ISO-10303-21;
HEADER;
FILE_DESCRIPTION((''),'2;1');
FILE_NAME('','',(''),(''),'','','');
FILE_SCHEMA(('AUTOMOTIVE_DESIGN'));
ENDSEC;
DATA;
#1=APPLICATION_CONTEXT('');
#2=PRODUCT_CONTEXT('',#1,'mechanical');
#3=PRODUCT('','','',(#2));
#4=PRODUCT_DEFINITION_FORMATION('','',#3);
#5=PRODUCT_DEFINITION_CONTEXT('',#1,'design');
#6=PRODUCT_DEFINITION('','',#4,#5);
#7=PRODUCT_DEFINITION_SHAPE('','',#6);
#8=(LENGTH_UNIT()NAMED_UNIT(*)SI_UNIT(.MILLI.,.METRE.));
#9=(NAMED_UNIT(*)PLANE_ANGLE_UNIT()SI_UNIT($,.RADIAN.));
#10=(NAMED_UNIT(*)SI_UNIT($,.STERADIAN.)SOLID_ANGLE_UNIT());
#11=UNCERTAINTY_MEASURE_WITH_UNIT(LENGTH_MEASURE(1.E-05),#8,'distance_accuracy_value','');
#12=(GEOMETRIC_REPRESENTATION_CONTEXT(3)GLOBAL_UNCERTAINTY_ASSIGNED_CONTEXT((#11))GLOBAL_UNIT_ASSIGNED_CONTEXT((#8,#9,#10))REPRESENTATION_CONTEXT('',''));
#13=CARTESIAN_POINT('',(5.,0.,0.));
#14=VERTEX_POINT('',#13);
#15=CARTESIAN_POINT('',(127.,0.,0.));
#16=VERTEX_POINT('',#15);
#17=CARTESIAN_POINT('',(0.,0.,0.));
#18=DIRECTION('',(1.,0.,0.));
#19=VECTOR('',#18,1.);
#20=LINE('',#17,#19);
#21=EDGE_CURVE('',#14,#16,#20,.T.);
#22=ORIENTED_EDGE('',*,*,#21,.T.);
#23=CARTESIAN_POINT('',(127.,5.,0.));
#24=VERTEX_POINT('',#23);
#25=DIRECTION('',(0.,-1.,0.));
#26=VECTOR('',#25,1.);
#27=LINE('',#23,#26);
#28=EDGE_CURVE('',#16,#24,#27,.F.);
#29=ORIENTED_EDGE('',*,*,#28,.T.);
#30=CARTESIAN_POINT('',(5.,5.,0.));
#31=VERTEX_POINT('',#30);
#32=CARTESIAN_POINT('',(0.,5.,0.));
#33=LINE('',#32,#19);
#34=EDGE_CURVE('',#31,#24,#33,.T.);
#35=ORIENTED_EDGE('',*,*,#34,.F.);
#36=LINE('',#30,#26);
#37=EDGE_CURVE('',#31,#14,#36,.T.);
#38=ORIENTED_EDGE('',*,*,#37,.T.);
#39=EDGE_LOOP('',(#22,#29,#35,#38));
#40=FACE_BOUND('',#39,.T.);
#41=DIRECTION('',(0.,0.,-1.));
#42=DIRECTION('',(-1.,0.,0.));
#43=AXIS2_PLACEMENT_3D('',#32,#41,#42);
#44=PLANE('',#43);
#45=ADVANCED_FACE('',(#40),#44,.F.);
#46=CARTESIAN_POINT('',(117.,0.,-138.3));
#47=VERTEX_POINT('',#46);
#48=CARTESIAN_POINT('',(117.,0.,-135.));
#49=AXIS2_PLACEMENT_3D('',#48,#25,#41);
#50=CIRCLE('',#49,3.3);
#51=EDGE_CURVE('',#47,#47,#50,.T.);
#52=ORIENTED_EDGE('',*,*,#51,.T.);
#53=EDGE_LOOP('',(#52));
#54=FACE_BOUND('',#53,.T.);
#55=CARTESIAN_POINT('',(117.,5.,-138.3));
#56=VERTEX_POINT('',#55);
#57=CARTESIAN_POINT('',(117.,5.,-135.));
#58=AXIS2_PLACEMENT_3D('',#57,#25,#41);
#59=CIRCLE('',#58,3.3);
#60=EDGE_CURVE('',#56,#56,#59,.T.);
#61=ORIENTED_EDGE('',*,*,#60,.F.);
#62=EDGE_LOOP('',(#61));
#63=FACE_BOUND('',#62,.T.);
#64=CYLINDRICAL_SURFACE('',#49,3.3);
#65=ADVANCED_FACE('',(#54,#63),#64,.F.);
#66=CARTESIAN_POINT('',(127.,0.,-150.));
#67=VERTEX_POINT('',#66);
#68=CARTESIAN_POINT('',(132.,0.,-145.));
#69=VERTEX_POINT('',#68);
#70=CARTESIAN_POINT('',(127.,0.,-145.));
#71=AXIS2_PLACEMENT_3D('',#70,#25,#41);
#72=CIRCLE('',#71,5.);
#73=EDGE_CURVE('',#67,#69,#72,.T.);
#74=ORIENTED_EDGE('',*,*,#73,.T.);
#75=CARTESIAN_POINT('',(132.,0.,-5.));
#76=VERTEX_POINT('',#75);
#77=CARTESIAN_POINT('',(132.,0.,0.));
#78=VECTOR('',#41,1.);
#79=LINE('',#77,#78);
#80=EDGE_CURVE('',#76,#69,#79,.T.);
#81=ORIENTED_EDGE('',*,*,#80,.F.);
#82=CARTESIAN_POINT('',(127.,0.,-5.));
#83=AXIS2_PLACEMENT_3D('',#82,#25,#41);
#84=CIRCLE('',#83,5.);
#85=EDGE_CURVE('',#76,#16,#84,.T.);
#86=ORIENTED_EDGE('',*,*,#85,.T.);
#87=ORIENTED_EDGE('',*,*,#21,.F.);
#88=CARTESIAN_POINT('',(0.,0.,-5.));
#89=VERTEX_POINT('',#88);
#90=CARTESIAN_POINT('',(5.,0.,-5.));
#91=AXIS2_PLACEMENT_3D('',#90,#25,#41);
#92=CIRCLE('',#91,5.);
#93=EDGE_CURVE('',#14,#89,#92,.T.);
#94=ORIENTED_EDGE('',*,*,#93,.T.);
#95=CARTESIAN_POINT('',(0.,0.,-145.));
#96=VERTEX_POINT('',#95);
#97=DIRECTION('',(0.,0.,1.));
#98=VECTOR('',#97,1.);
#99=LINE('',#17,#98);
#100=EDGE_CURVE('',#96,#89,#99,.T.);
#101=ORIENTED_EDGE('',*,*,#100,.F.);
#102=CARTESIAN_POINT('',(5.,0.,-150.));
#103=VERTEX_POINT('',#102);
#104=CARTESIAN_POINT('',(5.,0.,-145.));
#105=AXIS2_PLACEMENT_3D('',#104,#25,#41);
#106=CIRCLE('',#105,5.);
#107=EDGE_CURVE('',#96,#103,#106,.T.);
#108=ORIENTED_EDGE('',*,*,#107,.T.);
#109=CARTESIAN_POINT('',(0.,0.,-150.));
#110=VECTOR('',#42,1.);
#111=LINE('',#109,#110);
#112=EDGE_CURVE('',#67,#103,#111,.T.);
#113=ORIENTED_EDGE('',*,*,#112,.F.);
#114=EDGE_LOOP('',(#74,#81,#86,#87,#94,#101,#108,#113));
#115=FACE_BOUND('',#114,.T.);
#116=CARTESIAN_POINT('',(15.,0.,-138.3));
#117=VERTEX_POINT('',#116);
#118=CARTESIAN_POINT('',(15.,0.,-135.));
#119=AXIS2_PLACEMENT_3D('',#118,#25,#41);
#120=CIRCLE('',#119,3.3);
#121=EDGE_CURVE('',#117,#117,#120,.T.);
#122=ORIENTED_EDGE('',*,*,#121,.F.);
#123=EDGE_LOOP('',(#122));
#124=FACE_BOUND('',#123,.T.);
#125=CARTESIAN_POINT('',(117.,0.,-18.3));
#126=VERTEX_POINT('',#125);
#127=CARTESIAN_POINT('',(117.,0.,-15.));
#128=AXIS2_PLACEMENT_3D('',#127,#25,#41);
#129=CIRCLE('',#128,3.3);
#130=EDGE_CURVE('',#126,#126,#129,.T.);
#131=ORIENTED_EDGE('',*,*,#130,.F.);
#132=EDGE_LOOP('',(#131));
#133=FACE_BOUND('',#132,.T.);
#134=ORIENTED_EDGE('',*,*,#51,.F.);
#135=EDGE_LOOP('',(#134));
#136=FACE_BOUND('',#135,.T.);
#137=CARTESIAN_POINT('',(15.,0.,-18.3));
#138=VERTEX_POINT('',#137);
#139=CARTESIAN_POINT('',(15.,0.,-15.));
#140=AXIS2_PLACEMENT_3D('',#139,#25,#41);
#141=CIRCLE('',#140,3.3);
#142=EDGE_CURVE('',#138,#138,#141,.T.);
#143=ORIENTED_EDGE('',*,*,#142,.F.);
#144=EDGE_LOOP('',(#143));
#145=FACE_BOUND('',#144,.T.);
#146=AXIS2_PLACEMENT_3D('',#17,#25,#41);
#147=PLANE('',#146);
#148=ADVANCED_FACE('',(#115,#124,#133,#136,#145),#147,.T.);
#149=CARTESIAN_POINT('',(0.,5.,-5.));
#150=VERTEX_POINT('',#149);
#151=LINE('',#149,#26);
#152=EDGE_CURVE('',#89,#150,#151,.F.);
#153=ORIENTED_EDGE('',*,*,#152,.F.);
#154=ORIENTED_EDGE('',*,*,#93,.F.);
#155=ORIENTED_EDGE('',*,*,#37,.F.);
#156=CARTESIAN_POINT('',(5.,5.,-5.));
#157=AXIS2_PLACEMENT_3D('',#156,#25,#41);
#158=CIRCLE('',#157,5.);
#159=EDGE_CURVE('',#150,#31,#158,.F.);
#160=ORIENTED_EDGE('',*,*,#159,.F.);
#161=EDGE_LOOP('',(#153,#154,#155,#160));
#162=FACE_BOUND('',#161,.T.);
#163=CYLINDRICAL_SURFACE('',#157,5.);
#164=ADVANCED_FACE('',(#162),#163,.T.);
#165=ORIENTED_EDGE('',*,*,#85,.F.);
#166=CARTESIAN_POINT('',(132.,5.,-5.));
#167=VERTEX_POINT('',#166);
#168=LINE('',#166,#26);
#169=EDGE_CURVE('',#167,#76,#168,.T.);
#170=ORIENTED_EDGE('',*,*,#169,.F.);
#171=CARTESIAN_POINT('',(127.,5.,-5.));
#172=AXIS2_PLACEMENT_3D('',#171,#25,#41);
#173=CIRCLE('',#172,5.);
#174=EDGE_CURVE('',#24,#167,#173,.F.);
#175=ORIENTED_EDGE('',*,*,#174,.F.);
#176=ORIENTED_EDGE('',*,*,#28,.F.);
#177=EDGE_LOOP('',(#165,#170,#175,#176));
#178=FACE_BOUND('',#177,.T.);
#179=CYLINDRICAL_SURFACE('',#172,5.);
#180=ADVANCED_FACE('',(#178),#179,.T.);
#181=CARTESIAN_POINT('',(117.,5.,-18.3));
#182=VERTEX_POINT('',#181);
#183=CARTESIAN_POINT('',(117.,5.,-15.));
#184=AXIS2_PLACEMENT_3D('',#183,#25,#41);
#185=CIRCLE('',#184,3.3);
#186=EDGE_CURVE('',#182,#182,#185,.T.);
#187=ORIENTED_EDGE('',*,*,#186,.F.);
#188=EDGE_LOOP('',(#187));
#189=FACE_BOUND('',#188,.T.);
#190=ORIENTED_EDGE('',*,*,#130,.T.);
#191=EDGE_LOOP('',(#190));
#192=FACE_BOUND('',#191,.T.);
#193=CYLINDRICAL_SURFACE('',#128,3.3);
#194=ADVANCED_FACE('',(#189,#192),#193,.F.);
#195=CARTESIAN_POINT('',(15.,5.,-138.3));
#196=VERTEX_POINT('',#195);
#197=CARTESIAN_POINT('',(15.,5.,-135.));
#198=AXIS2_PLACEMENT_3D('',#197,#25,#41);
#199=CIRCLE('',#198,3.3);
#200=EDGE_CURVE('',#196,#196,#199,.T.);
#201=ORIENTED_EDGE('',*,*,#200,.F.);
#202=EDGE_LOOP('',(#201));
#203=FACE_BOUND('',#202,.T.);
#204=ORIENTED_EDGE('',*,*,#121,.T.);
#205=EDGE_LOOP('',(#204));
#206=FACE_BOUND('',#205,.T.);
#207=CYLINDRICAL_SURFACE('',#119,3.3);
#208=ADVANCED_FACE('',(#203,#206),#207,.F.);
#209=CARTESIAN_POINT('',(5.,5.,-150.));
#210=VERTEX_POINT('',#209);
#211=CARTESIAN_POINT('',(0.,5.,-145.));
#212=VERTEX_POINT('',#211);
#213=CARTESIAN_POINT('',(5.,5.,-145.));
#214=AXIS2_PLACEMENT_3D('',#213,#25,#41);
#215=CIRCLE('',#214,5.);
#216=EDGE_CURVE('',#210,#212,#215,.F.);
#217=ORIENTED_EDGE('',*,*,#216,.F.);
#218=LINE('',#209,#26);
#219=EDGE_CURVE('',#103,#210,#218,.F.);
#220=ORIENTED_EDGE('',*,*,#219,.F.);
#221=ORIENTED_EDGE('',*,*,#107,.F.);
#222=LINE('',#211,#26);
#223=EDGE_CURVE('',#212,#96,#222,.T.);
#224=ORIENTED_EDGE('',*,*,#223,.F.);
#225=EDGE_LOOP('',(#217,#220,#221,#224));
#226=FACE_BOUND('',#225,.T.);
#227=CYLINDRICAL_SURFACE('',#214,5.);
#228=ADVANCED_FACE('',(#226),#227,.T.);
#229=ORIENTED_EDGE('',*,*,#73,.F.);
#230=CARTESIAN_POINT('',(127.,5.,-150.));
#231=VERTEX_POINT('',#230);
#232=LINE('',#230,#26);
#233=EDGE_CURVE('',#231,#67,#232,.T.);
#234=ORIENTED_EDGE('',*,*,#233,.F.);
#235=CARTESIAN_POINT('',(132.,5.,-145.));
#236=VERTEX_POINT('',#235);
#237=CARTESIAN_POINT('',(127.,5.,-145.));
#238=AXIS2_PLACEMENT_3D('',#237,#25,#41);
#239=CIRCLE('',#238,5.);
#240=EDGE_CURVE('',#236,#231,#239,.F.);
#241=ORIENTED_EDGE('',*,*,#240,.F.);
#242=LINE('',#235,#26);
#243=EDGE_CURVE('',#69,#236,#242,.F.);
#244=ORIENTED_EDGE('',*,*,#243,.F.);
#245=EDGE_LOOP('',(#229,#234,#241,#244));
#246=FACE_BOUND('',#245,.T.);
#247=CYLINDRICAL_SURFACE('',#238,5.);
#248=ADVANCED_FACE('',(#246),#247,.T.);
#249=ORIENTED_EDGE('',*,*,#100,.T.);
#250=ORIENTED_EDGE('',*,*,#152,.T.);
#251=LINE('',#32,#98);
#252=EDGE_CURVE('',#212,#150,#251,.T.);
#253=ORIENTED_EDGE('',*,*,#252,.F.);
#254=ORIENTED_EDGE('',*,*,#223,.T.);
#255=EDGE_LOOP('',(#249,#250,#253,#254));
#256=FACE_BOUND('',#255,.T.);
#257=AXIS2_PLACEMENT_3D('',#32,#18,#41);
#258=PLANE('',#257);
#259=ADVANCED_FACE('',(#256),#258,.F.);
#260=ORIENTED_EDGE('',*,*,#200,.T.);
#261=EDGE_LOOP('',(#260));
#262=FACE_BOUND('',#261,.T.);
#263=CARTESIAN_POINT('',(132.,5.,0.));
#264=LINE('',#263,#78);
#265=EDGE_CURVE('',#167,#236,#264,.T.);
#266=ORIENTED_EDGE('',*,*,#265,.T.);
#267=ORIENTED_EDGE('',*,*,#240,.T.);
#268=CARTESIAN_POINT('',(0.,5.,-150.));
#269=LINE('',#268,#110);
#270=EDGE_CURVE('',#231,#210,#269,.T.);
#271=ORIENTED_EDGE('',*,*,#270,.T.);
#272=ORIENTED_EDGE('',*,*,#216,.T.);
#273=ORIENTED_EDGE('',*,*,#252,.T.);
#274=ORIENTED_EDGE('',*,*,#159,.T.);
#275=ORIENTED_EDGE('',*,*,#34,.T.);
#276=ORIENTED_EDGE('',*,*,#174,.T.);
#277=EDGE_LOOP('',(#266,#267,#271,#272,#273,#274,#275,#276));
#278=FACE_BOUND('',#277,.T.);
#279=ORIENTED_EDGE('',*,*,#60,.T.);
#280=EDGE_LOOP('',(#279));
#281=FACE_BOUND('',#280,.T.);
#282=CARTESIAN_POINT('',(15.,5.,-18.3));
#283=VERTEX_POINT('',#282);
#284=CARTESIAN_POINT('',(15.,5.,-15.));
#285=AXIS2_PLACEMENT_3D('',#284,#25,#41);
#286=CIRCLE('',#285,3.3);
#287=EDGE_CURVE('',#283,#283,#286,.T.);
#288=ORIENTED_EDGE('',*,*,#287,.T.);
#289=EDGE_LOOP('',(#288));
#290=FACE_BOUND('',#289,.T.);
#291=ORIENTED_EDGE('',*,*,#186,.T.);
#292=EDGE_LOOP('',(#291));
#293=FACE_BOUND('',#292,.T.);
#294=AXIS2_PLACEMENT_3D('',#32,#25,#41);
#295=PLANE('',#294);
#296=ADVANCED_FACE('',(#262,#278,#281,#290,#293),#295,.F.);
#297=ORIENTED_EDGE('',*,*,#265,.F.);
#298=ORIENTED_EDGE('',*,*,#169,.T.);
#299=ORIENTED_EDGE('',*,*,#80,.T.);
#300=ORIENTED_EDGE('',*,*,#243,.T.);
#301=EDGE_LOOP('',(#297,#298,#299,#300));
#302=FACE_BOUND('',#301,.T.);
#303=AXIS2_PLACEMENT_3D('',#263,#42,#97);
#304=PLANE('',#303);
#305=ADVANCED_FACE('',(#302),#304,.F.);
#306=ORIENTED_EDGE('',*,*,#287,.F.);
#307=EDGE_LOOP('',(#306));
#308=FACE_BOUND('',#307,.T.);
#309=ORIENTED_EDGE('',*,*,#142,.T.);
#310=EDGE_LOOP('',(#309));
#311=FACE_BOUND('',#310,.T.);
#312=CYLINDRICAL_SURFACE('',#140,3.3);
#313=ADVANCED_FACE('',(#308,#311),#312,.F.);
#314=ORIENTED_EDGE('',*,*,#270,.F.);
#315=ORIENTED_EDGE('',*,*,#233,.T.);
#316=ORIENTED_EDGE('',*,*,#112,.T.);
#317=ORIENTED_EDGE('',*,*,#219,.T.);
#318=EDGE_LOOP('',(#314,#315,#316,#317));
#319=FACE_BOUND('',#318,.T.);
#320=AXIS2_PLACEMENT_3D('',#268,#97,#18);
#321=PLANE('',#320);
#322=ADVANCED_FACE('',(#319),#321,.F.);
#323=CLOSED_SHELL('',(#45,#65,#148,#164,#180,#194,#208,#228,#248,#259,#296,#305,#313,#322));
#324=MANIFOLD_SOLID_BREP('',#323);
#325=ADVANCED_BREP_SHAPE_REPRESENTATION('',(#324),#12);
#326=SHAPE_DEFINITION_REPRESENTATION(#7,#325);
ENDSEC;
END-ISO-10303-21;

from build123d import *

# Parameters (mm, degrees)
SKETCH1_W                = 132
SKETCH1_H                = 150
BOSS_EXTRUDE1_DEPTH      = 5
M6_CLEARANCE_HOLE1_D     = 6.6
M6_CLEARANCE_HOLE1_DEPTH = 10
M6_CLEARANCE_HOLE1_TIP   = 1.982840043
FILLET1_R                = 5


with BuildPart() as part:
    # Sketch1 → Boss-Extrude1 (new body)
    with BuildSketch(Plane(origin=(0, 0, 0), x_dir=(1, 0, 0), z_dir=(0, 1, 0))):
        with Locations((66, 75)):
            Rectangle(SKETCH1_W, SKETCH1_H)
    extrude(amount=BOSS_EXTRUDE1_DEPTH)

    # M6 Clearance Hole1
    with Locations(Plane(origin=(0, 0, 0), x_dir=(-1, 0, 0), z_dir=(0, -1, 0))):
        with Locations((-15, 15), (-117, 15), (-117, 135), (-15, 135)):
            Hole(M6_CLEARANCE_HOLE1_D / 2, depth=M6_CLEARANCE_HOLE1_DEPTH)
            with Locations((0, 0, -(M6_CLEARANCE_HOLE1_DEPTH + M6_CLEARANCE_HOLE1_TIP / 2))):  # 118° drill point
                Cone(0, M6_CLEARANCE_HOLE1_D / 2, M6_CLEARANCE_HOLE1_TIP, mode=Mode.SUBTRACT)

    # Fillet1
    fillet1_edges = [part.edges().sort_by_distance(p)[0] for p in [
        (0, 2.5, -150),
        (132, 2.5, -150),
        (132, 2.5, 0),
        (0, 2.5, 0),
    ]]
    fillet(fillet1_edges, radius=FILLET1_R)


solid = part.part
